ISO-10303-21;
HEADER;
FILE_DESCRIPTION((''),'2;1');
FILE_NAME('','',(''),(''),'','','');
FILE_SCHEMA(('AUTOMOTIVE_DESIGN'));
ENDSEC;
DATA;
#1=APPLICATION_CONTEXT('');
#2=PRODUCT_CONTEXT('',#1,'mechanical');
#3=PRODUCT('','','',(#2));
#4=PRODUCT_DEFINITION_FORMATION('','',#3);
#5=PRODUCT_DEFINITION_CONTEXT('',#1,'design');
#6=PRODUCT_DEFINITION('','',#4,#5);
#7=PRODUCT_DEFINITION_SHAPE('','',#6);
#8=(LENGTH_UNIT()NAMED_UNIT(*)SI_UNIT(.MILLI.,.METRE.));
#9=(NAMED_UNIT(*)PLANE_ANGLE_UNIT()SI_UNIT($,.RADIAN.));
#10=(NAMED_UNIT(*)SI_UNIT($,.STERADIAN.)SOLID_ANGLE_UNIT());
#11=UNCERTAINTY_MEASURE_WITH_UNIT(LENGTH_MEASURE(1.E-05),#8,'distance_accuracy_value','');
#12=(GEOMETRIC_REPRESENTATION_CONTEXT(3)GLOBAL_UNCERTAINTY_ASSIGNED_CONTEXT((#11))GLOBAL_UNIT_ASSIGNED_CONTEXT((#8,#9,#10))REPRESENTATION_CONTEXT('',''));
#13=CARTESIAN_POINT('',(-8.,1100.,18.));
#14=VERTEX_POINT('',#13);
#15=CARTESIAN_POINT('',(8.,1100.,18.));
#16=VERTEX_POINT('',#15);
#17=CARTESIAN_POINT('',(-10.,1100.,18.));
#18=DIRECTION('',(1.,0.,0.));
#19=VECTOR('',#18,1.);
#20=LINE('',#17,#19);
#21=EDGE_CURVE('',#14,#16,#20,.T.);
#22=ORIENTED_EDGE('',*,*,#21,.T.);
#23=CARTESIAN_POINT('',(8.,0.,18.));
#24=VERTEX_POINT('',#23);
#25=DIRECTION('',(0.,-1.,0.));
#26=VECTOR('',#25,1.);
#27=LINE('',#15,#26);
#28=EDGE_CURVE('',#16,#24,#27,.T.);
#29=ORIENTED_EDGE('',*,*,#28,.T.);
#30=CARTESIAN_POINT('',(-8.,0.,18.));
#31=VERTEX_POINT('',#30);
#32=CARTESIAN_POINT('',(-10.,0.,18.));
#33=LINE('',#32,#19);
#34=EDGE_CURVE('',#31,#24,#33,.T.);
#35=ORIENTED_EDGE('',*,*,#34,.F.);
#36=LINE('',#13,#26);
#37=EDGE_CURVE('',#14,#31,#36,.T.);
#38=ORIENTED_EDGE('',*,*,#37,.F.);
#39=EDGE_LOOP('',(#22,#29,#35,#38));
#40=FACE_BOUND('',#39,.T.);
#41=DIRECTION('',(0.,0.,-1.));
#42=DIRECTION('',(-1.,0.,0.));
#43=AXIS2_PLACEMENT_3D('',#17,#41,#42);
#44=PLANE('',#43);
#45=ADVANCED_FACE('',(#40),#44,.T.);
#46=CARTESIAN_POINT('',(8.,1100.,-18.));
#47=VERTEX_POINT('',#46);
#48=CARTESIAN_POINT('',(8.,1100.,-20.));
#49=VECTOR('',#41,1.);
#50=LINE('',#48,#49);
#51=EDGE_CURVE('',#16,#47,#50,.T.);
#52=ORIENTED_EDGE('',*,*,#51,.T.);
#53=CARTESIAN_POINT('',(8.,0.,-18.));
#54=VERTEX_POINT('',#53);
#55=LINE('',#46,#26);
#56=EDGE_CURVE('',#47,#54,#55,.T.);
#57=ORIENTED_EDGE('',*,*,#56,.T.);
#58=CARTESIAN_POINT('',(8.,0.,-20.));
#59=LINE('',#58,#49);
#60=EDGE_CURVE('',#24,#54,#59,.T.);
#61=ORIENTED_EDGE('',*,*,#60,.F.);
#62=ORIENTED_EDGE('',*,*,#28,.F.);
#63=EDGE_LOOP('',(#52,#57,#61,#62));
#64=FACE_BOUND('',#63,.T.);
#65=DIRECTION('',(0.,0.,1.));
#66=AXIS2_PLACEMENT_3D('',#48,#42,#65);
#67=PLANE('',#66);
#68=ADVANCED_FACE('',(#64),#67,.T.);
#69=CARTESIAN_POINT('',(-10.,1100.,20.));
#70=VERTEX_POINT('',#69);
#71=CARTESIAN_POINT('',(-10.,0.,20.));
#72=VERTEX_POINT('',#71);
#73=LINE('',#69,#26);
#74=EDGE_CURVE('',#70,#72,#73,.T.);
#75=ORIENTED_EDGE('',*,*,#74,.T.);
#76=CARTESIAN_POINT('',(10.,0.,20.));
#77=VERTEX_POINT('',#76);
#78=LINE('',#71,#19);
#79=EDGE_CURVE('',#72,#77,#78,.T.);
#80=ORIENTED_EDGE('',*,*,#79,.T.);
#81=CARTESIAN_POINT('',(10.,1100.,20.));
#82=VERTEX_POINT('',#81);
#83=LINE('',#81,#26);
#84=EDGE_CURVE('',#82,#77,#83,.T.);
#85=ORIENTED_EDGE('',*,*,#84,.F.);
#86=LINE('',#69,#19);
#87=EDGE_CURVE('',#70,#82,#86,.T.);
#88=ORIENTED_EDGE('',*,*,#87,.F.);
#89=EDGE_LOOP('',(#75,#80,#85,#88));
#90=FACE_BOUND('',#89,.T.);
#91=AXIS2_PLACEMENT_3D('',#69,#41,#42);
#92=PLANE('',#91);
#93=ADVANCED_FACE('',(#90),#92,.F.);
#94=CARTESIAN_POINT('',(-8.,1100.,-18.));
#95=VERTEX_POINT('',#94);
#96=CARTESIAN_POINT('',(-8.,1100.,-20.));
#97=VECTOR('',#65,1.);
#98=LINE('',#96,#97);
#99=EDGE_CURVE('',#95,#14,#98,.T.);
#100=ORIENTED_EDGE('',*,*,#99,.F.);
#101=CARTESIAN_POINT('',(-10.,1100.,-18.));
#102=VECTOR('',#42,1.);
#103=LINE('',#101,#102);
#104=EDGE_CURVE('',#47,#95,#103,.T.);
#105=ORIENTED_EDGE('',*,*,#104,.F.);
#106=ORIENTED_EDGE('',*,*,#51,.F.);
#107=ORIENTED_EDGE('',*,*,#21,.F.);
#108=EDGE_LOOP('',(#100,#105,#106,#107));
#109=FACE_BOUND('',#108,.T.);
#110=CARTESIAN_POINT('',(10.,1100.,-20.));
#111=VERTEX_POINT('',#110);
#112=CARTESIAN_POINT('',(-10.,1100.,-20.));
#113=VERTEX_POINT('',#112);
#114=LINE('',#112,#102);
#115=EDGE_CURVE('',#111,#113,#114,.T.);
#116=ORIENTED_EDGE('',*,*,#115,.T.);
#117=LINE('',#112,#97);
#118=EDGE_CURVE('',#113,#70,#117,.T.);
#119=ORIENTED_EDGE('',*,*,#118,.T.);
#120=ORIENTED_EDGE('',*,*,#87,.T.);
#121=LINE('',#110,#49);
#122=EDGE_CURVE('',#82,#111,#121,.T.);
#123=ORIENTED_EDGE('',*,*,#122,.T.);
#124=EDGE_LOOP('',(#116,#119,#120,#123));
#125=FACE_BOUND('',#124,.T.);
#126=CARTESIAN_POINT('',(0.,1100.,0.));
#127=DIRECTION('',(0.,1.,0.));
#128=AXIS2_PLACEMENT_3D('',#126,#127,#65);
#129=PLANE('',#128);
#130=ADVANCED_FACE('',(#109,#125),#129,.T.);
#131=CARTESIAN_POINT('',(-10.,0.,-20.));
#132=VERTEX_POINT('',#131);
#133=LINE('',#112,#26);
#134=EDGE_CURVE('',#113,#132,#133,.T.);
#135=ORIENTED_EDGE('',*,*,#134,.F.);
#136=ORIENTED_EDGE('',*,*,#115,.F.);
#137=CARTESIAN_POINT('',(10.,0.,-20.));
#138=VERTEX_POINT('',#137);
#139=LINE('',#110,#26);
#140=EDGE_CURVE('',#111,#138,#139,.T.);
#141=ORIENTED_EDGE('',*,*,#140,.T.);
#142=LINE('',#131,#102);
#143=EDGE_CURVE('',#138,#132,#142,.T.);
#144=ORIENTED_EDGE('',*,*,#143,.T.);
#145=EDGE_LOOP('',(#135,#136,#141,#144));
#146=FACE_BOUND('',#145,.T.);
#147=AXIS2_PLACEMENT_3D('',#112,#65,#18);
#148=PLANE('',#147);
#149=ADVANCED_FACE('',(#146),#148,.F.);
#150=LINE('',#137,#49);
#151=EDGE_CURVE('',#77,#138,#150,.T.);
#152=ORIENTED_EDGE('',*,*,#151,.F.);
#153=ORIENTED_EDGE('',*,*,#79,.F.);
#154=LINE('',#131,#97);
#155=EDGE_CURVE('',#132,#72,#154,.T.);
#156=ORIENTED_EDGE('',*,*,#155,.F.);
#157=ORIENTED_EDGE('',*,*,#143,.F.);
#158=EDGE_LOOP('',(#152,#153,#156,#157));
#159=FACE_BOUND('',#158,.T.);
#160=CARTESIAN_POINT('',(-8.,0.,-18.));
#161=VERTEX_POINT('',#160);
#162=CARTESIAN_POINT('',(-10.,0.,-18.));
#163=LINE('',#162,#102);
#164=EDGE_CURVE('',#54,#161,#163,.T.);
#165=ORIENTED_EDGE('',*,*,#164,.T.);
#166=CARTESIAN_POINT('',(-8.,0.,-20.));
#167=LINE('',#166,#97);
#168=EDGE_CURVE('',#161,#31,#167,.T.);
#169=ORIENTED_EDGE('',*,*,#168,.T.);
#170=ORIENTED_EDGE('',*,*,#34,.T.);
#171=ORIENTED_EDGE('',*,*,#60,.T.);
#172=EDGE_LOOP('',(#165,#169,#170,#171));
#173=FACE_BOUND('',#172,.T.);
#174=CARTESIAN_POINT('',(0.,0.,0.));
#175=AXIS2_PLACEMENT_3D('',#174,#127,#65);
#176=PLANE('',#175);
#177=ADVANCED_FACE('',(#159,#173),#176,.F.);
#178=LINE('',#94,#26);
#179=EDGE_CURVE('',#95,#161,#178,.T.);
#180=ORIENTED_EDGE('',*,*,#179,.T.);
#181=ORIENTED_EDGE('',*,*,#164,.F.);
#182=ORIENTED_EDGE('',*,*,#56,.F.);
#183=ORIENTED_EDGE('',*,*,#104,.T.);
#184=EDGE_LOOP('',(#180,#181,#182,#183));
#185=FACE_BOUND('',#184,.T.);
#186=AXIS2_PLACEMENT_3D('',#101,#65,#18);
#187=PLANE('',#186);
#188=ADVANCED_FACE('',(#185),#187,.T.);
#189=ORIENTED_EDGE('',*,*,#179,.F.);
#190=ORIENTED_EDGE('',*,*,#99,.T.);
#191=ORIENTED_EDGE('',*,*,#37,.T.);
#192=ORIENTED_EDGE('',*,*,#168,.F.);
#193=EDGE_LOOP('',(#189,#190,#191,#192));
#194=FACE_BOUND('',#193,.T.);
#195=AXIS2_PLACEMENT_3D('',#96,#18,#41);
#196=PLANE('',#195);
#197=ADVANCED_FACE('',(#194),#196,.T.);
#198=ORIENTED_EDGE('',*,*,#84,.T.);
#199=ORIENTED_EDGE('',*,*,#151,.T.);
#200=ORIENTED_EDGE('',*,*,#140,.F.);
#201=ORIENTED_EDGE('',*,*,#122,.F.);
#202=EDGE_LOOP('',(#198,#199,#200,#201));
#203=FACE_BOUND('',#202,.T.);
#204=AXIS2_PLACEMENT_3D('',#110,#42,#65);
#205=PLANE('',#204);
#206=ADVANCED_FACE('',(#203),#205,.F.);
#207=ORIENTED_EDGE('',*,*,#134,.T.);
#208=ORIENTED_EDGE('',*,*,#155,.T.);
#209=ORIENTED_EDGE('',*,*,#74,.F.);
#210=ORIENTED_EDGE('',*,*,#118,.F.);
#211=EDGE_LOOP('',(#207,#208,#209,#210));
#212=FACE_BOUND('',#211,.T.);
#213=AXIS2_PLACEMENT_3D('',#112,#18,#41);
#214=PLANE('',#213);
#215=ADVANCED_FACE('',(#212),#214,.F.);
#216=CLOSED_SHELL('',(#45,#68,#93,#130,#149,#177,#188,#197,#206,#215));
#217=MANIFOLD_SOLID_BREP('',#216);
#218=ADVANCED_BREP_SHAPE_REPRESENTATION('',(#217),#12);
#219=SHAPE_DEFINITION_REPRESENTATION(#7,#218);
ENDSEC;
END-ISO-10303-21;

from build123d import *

# Parameters (mm, degrees)
SKETCH_1_W      = 20
SKETCH_1_H      = 40
SKETCH_1_W_2    = 16
SKETCH_1_H_2    = 36
EXTRUDE_1_DEPTH = 1100


with BuildPart() as part:
    # Эскиз1 → Вытянуть-Тонкостенный1 (new body)
    with BuildSketch(Plane(origin=(0, 0, 0), x_dir=(1, 0, 0), z_dir=(0, 1, 0))):
        Rectangle(SKETCH_1_W, SKETCH_1_H)
        Rectangle(SKETCH_1_W_2, SKETCH_1_H_2, mode=Mode.SUBTRACT)
    extrude(amount=EXTRUDE_1_DEPTH)


solid = part.part
